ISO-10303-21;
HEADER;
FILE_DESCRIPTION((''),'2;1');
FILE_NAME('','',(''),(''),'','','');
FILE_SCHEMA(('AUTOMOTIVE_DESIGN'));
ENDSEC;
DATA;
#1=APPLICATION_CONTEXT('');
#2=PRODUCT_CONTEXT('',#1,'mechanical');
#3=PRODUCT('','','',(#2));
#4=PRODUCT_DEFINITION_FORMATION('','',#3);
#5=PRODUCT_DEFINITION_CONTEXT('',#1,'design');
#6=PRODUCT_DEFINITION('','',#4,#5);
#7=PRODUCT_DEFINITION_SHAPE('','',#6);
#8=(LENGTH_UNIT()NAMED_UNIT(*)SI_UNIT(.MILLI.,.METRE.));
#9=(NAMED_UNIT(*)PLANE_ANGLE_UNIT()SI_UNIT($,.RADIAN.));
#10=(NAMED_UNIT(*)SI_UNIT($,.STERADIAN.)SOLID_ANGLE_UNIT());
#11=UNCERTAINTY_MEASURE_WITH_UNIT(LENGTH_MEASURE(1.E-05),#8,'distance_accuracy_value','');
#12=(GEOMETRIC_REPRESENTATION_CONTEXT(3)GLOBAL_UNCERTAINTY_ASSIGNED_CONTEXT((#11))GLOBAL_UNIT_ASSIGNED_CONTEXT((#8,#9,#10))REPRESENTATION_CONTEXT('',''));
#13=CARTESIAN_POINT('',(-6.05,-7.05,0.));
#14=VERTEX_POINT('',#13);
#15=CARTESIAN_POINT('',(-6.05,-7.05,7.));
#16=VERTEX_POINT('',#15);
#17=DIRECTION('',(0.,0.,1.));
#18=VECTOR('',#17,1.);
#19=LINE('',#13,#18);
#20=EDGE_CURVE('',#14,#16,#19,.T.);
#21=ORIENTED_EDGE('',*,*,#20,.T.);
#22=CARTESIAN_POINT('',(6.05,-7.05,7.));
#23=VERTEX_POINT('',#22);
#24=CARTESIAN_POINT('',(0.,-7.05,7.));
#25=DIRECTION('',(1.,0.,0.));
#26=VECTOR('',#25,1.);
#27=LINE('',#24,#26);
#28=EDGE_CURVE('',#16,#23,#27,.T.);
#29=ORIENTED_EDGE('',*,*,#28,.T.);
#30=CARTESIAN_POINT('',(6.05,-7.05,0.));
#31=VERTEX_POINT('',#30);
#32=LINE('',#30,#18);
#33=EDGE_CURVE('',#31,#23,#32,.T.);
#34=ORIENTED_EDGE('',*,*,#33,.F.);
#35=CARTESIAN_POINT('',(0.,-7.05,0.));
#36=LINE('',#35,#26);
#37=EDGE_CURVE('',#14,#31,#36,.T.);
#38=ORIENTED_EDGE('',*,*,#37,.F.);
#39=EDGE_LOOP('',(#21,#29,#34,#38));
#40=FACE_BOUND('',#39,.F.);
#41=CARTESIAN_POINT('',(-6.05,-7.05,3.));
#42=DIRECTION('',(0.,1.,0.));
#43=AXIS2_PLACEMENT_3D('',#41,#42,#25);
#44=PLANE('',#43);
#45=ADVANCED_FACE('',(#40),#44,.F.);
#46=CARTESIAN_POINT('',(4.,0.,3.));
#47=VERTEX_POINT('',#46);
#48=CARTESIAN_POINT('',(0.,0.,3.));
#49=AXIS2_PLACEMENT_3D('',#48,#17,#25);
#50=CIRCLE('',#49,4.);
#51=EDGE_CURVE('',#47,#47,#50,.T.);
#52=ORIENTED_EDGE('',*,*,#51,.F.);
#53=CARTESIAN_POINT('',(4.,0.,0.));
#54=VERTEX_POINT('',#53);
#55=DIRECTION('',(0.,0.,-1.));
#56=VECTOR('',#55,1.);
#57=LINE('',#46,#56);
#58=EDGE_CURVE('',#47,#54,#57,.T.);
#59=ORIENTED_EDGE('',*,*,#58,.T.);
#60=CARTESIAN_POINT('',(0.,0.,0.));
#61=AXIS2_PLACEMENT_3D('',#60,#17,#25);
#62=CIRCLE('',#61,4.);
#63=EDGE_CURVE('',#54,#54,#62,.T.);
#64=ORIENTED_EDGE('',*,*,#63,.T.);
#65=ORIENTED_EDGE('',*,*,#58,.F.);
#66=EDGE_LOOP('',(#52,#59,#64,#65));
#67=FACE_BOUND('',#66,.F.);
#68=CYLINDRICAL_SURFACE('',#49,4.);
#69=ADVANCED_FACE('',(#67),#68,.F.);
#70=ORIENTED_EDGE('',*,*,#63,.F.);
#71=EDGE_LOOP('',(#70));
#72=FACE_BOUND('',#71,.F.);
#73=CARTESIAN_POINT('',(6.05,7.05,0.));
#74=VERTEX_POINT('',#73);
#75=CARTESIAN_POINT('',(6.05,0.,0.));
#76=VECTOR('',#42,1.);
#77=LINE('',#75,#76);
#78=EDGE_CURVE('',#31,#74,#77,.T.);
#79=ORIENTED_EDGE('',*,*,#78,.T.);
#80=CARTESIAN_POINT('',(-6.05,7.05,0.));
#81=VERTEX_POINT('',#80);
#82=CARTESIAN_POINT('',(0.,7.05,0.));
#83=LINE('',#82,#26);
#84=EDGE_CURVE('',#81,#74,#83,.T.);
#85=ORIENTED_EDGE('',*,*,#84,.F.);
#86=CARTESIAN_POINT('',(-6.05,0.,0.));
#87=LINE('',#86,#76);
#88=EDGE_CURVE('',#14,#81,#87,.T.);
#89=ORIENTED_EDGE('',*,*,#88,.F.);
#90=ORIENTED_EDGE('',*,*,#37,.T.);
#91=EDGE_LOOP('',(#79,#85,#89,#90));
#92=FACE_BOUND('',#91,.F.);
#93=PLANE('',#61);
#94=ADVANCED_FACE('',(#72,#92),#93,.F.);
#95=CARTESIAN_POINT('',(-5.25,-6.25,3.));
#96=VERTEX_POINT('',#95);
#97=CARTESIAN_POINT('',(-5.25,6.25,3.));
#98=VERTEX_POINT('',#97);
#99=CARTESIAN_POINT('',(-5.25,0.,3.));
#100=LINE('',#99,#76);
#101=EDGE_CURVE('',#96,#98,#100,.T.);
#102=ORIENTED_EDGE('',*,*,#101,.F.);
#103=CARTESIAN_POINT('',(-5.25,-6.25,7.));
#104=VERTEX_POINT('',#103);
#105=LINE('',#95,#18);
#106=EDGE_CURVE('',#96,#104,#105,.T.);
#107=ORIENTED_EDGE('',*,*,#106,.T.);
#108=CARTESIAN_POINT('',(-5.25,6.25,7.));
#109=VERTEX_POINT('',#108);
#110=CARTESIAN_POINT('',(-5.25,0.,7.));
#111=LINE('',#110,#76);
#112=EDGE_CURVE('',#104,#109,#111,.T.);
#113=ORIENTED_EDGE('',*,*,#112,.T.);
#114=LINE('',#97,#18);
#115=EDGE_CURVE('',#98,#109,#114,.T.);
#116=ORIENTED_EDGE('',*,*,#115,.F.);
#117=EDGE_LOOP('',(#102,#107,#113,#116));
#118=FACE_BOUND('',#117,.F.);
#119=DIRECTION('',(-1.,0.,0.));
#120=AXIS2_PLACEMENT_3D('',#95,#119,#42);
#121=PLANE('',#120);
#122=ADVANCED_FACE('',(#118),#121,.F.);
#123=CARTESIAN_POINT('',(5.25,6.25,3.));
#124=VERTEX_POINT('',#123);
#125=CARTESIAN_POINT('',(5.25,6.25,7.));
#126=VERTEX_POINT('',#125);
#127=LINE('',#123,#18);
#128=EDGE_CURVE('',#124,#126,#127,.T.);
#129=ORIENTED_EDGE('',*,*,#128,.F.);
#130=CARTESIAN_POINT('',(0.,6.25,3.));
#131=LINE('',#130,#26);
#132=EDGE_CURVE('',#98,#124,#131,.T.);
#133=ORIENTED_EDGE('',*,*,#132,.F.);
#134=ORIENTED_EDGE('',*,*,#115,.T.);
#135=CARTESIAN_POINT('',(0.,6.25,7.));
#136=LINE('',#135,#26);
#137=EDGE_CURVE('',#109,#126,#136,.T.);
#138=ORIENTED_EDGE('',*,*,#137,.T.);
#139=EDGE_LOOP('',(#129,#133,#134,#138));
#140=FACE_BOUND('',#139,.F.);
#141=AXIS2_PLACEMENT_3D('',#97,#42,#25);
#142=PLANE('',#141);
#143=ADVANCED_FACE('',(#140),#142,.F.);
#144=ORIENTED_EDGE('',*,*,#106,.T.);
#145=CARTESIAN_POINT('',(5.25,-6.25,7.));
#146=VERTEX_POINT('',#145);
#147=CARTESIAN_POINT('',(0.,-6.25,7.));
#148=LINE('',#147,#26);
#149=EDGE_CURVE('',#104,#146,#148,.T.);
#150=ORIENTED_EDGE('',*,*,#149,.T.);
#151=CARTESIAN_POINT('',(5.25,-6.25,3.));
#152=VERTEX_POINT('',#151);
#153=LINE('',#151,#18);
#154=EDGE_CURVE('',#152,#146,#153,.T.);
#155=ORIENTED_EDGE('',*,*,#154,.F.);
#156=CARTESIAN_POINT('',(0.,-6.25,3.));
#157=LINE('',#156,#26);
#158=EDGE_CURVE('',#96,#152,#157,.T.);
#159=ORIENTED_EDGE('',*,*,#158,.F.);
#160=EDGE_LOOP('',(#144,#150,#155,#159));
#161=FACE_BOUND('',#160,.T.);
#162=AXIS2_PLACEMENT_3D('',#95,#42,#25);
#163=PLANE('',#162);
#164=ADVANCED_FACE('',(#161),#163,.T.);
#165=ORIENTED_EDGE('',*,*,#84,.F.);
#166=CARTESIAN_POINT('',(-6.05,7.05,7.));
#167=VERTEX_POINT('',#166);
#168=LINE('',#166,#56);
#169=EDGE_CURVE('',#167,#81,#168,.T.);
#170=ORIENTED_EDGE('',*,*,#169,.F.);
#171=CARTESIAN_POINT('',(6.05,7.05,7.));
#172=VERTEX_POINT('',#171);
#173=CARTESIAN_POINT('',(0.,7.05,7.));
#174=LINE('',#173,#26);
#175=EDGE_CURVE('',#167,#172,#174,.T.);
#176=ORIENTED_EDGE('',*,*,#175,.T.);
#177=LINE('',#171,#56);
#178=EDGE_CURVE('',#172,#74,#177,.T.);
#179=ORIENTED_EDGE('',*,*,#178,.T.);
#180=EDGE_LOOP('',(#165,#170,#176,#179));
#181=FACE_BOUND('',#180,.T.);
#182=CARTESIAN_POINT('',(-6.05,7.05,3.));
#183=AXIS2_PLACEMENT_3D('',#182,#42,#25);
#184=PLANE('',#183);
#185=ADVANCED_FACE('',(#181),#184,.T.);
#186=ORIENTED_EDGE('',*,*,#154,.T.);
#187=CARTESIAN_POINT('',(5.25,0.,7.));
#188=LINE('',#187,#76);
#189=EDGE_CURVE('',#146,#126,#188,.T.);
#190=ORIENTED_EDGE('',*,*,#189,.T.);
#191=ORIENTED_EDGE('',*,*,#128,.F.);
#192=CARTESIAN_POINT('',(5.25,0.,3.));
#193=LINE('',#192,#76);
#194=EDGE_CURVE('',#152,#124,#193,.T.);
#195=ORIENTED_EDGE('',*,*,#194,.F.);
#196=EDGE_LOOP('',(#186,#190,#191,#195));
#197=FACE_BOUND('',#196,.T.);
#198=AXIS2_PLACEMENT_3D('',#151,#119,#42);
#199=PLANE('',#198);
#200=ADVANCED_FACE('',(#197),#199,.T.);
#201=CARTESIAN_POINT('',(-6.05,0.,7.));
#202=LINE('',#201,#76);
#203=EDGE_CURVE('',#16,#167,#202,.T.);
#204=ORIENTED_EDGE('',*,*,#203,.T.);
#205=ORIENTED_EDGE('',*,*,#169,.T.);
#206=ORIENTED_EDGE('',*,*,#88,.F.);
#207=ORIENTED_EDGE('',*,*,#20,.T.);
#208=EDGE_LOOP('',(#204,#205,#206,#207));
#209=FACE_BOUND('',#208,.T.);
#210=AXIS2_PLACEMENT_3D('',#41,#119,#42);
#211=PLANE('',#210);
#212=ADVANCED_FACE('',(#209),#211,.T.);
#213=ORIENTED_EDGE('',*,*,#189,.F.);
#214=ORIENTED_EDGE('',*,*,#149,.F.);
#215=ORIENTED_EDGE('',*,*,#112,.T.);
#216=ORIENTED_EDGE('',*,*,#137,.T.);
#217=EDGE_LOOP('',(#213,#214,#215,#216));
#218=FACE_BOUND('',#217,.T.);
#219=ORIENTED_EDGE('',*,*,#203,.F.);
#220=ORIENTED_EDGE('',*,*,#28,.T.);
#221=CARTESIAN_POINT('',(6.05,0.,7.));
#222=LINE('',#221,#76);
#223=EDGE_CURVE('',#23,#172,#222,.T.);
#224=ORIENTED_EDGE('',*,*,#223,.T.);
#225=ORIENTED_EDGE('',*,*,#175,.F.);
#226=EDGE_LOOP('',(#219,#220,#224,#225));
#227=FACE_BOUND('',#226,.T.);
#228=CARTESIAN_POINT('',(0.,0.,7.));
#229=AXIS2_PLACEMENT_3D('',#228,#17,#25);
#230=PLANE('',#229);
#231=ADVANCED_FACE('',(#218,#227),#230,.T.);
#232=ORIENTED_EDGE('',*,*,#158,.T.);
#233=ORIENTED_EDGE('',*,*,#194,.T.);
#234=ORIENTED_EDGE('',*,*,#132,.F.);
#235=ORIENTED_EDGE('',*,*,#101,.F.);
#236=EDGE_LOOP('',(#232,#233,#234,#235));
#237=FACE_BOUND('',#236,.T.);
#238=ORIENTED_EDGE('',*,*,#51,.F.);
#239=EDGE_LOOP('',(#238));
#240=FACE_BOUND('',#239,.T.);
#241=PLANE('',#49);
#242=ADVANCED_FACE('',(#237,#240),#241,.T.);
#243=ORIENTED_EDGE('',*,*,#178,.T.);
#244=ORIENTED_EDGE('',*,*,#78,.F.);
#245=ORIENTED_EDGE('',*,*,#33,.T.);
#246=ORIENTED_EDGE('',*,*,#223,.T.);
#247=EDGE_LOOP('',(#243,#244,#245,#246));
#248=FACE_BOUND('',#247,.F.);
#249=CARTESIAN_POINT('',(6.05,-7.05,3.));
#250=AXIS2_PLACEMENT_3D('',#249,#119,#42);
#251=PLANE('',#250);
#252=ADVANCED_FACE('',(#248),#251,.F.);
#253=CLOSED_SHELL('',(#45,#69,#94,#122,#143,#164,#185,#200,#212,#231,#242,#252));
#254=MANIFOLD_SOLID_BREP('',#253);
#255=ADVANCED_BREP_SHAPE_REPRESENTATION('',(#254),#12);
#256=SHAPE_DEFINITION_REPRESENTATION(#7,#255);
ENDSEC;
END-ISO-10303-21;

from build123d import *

# Parameters (mm, degrees)
SKETCH_W      = 12.1
SKETCH_H      = 14.1
PAD_DEPTH     = 3
SKETCH001_W   = 12.1
SKETCH001_H   = 14.1
SKETCH001_W_2 = 10.5
SKETCH001_H_2 = 12.5
PAD001_DEPTH  = 4
SKETCH002_R   = 4
POCKET_DEPTH  = 5


with BuildPart() as part:
    # Sketch → Pad (new body)
    with BuildSketch(Plane.XY):
        Rectangle(SKETCH_W, SKETCH_H)
    extrude(amount=PAD_DEPTH)

    # Sketch001 (on Face6 of Pad) → Pad001 (join)
    with BuildSketch(Plane.XY.offset(3)):
        Rectangle(SKETCH001_W, SKETCH001_H)
        Rectangle(SKETCH001_W_2, SKETCH001_H_2, mode=Mode.SUBTRACT)
    extrude(amount=PAD001_DEPTH)

    # Sketch002 (on Face6 of Pad001) → Pocket (cut)
    with BuildSketch(Plane.XY.offset(3)):
        Circle(SKETCH002_R)
    extrude(amount=-POCKET_DEPTH, mode=Mode.SUBTRACT)


solid = part.part
